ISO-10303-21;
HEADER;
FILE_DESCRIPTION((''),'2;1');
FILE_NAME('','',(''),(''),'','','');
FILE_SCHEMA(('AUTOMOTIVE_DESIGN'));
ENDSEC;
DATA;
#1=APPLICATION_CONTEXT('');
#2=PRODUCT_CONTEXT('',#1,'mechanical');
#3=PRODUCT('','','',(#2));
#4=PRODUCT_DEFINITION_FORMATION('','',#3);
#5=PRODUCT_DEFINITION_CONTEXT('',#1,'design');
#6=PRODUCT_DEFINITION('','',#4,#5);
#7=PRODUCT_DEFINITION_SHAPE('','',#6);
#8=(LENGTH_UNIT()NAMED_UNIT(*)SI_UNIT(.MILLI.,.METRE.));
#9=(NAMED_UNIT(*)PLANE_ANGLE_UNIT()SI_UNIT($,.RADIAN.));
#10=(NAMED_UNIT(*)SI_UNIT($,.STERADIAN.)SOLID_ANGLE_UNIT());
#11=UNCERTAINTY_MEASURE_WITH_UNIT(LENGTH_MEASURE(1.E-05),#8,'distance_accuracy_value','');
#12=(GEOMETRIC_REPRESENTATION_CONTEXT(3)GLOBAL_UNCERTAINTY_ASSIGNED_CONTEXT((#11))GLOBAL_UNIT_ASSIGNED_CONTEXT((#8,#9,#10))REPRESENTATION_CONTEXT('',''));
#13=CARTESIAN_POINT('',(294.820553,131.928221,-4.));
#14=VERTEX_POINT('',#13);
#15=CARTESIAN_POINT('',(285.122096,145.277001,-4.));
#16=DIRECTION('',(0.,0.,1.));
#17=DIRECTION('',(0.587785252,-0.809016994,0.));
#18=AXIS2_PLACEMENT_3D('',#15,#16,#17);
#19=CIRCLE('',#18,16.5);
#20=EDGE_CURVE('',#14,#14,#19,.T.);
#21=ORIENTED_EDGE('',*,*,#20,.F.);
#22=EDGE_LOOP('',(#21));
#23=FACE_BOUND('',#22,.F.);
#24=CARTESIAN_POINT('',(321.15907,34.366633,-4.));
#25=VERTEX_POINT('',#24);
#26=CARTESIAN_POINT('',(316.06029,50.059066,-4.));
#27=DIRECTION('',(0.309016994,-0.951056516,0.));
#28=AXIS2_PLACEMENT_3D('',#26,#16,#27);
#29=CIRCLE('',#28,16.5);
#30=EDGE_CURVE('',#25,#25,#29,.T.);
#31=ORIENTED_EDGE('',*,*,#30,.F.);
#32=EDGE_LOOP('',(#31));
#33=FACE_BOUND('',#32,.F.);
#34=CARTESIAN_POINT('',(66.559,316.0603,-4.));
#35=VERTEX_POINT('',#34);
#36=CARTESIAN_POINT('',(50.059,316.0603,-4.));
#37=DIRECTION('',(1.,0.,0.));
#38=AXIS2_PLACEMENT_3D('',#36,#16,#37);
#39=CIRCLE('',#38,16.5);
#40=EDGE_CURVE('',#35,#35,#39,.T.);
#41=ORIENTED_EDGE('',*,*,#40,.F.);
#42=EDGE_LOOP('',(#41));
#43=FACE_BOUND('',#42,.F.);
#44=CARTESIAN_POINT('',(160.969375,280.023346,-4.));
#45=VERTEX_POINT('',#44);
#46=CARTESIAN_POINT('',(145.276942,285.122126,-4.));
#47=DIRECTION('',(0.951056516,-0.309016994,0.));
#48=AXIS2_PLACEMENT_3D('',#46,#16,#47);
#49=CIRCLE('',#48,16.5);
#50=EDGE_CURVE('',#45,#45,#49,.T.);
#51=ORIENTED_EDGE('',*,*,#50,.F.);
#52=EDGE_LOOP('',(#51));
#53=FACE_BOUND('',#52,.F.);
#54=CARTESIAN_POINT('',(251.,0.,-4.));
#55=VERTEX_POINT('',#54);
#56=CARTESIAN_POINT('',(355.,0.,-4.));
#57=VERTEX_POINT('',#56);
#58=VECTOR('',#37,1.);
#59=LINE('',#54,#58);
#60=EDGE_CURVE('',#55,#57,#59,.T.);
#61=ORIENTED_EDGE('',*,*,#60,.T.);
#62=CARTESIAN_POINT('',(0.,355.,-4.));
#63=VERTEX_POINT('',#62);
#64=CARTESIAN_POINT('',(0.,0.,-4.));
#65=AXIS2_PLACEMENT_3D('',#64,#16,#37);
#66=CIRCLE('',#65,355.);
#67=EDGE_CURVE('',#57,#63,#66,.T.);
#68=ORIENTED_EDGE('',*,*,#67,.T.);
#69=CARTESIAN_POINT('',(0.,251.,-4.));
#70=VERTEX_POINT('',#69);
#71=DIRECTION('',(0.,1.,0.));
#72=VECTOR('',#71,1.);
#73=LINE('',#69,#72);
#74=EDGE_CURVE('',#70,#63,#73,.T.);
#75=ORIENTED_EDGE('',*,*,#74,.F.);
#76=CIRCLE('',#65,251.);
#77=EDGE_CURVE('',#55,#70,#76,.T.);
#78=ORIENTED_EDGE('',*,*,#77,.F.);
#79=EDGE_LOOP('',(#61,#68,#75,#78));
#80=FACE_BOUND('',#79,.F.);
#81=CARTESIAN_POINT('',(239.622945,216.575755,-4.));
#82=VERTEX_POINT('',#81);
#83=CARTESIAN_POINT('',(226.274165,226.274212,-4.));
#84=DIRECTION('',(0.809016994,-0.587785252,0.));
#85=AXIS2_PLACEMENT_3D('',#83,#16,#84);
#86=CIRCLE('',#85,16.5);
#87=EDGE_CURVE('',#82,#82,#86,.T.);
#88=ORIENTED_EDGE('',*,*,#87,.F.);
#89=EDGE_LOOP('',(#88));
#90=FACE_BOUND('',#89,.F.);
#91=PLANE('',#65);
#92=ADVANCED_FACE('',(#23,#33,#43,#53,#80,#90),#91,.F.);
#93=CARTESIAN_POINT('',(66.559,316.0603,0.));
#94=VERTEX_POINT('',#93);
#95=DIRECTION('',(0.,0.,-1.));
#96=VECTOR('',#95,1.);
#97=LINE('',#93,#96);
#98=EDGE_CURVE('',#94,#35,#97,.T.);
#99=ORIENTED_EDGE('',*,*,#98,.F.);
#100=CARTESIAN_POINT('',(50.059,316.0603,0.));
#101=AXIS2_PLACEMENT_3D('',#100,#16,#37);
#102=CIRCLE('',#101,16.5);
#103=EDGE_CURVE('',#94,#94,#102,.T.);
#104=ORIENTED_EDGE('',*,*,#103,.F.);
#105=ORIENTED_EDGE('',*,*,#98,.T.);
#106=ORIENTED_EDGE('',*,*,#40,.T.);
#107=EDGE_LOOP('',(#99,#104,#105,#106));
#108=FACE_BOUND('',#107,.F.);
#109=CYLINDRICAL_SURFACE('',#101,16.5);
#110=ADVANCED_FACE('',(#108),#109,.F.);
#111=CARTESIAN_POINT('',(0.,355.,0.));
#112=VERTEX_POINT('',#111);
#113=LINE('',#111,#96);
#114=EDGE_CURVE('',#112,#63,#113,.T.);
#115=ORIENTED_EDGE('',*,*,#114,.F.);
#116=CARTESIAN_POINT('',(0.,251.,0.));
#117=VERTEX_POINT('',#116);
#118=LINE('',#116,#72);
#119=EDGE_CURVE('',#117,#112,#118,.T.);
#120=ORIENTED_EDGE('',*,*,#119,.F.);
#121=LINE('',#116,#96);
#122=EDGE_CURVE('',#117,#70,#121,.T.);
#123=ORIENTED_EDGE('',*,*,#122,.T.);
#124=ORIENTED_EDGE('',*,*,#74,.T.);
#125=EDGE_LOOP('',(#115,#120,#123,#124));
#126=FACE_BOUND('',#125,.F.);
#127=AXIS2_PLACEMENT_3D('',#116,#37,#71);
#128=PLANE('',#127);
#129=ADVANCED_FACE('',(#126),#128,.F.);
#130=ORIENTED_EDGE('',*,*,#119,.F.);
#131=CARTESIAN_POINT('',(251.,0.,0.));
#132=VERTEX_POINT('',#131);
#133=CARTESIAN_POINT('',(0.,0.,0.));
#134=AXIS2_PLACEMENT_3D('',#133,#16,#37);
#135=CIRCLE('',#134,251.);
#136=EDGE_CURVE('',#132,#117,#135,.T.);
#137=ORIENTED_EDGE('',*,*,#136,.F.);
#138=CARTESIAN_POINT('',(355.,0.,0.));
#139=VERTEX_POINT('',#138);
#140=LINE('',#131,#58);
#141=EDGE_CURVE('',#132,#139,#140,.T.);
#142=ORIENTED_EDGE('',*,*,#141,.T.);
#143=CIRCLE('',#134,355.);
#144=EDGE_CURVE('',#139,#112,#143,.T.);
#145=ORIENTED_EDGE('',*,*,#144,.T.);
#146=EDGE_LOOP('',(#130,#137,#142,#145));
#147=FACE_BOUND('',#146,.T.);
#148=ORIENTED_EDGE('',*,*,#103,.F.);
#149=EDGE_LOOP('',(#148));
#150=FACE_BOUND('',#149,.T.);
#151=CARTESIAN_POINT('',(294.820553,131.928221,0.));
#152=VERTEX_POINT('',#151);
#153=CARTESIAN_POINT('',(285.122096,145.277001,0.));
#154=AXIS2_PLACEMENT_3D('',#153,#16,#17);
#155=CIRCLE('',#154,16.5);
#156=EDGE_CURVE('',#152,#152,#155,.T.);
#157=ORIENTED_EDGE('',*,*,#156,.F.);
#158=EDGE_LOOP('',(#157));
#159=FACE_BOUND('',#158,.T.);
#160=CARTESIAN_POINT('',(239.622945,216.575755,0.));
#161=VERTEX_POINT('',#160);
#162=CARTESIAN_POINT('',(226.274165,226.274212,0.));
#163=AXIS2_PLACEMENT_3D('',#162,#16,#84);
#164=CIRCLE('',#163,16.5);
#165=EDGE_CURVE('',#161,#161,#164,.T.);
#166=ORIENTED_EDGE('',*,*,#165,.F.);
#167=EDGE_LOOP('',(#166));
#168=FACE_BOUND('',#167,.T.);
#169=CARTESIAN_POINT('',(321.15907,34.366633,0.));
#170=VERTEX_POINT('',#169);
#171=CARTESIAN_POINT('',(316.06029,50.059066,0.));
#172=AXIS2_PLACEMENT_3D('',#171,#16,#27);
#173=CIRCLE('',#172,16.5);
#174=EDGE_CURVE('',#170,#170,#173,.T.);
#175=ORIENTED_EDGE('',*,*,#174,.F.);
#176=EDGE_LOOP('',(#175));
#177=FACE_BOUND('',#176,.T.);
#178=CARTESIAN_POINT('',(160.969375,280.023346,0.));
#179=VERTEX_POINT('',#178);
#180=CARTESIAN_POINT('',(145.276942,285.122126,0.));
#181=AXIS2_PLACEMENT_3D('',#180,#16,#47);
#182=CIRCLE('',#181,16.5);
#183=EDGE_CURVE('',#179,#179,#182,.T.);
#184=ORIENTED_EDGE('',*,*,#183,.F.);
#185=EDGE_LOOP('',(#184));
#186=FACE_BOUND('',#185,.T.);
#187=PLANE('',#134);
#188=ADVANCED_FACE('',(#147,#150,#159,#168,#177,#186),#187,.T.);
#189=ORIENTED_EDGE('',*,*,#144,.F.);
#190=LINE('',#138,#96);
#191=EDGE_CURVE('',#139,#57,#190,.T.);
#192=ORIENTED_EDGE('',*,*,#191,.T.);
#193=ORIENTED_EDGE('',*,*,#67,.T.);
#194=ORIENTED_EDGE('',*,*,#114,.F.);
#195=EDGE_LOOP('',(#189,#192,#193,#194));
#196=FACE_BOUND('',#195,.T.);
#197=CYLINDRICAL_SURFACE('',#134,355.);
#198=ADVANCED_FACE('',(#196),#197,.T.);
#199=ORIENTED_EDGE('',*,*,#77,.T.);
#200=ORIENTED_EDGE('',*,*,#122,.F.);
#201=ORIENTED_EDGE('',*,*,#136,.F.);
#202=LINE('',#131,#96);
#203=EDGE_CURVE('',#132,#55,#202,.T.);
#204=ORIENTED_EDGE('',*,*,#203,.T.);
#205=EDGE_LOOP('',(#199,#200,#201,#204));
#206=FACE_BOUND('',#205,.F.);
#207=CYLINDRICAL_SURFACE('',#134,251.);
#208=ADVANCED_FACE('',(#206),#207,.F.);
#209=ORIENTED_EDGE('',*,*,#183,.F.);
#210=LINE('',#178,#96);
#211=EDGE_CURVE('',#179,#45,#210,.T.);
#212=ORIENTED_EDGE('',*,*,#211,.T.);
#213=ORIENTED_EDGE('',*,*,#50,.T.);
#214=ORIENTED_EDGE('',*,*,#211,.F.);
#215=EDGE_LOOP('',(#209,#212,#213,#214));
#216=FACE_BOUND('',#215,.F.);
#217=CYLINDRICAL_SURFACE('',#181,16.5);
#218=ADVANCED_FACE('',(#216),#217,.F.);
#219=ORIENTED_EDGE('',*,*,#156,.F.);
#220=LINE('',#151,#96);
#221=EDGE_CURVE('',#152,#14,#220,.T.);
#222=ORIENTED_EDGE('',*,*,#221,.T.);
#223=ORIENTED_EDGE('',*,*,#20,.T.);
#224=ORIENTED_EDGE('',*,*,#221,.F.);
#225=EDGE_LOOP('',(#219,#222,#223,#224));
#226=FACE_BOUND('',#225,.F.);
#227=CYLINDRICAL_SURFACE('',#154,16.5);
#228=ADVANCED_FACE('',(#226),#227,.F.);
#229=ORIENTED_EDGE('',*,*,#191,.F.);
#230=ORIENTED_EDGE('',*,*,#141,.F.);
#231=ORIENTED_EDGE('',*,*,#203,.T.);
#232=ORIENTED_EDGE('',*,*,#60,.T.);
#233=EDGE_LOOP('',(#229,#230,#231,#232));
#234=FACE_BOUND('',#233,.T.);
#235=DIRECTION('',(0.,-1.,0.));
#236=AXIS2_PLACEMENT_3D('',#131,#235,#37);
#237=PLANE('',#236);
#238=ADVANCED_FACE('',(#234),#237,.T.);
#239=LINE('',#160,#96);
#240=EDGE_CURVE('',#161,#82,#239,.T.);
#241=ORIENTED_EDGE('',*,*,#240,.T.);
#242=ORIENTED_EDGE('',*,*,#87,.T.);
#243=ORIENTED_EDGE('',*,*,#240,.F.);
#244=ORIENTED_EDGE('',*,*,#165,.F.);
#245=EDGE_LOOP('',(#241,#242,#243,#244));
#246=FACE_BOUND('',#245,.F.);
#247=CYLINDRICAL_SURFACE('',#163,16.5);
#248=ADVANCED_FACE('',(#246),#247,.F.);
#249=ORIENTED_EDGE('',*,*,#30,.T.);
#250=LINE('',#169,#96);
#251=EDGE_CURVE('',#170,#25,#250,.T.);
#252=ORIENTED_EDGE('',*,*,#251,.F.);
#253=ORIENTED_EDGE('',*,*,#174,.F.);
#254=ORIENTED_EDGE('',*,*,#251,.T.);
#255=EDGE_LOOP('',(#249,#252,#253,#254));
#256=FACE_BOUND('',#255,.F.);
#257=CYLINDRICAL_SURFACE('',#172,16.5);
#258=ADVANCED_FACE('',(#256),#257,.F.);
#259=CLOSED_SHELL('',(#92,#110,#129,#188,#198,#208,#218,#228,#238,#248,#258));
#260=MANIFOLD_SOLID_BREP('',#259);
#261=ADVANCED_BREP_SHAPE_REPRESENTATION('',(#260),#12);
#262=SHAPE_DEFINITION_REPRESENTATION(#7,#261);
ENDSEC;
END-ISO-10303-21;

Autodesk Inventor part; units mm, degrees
ref_plane "YZ Plane" through (0, 0, 0) normal (1, 0, 0) x (0, 1, 0)
ref_plane "XZ Plane" through (0, 0, 0) normal (0, 1, 0) x (-1, 0, 0)
ref_plane "XY Plane" through (0, 0, 0) normal (0, 0, 1) x (1, 0, 0)
sketch "Sketch1" plane through (0, 0, 0) normal (0, 0, 1) x (1, 0, 0)
  arc A0 (251, 0) -> (0, 251) centre (0, 0) ccw
  arc A1 (0, 355) -> (355, 0) centre (0, 0) ccw construction
  circle A2 centre (0, 0) radius 320 construction
  line L0 (0, 0) -> (0, 251) construction
  line L1 (0, 0) -> (251, 0) construction
  arc A3 (355, 0) -> (0, 355) centre (0, 0) ccw
  line L2 (0, 251) -> (0, 355)
  arc A4 (0, 251) -> (251, 0) centre (0, 0) ccw construction
  line L3 (251, 0) -> (355, 0)
  dimension "d0" = 502
  dimension "d1" = 710
  dimension "d2" = 640
extrude "Plate1" add sketch "Sketch1" against normal blind 4
sketch "Sketch3" plane through (0, 0, 0) normal (0, 0, 1) x (1, 0, 0)
  circle A0 centre (0, 0) radius 320 construction
  line L0 (0, 0) -> (0, 355) construction
  arc A1 (355, 0) -> (0, 355) centre (0, 0) ccw projected
  line L1 (0, 0) -> (55.5342, 350.6294) construction
  circle A2 centre (50.059, 316.0603) radius 16.5
  dimension "d12" = 640
  dimension "d13" = 9
  dimension "d14" = 33
extrude "Extrusion2" cut sketch "Sketch3" against normal through all
pattern_circular "Circular Pattern1" count 5 over 72 about axis through (0, 0, -10) along (0, 0, -1) of "Extrusion2"
equation "\"d5\" = Thickness"
equation "\"BendReliefWidth\" = Thickness"
equation "\"BendReliefDepth\" = 0.5 * Thickness"
equation "\"CornerReliefSize\" = 4 * Thickness"
equation "\"MinimumRemnant\" = 2 * Thickness"
equation "\"TransitionRadius\" = BendRadius"
equation "\"JacobiRadiusSize\" = BendRadius"
equation "\"GapSize\" = Thickness"
equation "\"Thickness\" = 4"
equation "\"BendRadius\" = 6"
properties part number "MSC 036 flange 500" material "Stainless Steel"
